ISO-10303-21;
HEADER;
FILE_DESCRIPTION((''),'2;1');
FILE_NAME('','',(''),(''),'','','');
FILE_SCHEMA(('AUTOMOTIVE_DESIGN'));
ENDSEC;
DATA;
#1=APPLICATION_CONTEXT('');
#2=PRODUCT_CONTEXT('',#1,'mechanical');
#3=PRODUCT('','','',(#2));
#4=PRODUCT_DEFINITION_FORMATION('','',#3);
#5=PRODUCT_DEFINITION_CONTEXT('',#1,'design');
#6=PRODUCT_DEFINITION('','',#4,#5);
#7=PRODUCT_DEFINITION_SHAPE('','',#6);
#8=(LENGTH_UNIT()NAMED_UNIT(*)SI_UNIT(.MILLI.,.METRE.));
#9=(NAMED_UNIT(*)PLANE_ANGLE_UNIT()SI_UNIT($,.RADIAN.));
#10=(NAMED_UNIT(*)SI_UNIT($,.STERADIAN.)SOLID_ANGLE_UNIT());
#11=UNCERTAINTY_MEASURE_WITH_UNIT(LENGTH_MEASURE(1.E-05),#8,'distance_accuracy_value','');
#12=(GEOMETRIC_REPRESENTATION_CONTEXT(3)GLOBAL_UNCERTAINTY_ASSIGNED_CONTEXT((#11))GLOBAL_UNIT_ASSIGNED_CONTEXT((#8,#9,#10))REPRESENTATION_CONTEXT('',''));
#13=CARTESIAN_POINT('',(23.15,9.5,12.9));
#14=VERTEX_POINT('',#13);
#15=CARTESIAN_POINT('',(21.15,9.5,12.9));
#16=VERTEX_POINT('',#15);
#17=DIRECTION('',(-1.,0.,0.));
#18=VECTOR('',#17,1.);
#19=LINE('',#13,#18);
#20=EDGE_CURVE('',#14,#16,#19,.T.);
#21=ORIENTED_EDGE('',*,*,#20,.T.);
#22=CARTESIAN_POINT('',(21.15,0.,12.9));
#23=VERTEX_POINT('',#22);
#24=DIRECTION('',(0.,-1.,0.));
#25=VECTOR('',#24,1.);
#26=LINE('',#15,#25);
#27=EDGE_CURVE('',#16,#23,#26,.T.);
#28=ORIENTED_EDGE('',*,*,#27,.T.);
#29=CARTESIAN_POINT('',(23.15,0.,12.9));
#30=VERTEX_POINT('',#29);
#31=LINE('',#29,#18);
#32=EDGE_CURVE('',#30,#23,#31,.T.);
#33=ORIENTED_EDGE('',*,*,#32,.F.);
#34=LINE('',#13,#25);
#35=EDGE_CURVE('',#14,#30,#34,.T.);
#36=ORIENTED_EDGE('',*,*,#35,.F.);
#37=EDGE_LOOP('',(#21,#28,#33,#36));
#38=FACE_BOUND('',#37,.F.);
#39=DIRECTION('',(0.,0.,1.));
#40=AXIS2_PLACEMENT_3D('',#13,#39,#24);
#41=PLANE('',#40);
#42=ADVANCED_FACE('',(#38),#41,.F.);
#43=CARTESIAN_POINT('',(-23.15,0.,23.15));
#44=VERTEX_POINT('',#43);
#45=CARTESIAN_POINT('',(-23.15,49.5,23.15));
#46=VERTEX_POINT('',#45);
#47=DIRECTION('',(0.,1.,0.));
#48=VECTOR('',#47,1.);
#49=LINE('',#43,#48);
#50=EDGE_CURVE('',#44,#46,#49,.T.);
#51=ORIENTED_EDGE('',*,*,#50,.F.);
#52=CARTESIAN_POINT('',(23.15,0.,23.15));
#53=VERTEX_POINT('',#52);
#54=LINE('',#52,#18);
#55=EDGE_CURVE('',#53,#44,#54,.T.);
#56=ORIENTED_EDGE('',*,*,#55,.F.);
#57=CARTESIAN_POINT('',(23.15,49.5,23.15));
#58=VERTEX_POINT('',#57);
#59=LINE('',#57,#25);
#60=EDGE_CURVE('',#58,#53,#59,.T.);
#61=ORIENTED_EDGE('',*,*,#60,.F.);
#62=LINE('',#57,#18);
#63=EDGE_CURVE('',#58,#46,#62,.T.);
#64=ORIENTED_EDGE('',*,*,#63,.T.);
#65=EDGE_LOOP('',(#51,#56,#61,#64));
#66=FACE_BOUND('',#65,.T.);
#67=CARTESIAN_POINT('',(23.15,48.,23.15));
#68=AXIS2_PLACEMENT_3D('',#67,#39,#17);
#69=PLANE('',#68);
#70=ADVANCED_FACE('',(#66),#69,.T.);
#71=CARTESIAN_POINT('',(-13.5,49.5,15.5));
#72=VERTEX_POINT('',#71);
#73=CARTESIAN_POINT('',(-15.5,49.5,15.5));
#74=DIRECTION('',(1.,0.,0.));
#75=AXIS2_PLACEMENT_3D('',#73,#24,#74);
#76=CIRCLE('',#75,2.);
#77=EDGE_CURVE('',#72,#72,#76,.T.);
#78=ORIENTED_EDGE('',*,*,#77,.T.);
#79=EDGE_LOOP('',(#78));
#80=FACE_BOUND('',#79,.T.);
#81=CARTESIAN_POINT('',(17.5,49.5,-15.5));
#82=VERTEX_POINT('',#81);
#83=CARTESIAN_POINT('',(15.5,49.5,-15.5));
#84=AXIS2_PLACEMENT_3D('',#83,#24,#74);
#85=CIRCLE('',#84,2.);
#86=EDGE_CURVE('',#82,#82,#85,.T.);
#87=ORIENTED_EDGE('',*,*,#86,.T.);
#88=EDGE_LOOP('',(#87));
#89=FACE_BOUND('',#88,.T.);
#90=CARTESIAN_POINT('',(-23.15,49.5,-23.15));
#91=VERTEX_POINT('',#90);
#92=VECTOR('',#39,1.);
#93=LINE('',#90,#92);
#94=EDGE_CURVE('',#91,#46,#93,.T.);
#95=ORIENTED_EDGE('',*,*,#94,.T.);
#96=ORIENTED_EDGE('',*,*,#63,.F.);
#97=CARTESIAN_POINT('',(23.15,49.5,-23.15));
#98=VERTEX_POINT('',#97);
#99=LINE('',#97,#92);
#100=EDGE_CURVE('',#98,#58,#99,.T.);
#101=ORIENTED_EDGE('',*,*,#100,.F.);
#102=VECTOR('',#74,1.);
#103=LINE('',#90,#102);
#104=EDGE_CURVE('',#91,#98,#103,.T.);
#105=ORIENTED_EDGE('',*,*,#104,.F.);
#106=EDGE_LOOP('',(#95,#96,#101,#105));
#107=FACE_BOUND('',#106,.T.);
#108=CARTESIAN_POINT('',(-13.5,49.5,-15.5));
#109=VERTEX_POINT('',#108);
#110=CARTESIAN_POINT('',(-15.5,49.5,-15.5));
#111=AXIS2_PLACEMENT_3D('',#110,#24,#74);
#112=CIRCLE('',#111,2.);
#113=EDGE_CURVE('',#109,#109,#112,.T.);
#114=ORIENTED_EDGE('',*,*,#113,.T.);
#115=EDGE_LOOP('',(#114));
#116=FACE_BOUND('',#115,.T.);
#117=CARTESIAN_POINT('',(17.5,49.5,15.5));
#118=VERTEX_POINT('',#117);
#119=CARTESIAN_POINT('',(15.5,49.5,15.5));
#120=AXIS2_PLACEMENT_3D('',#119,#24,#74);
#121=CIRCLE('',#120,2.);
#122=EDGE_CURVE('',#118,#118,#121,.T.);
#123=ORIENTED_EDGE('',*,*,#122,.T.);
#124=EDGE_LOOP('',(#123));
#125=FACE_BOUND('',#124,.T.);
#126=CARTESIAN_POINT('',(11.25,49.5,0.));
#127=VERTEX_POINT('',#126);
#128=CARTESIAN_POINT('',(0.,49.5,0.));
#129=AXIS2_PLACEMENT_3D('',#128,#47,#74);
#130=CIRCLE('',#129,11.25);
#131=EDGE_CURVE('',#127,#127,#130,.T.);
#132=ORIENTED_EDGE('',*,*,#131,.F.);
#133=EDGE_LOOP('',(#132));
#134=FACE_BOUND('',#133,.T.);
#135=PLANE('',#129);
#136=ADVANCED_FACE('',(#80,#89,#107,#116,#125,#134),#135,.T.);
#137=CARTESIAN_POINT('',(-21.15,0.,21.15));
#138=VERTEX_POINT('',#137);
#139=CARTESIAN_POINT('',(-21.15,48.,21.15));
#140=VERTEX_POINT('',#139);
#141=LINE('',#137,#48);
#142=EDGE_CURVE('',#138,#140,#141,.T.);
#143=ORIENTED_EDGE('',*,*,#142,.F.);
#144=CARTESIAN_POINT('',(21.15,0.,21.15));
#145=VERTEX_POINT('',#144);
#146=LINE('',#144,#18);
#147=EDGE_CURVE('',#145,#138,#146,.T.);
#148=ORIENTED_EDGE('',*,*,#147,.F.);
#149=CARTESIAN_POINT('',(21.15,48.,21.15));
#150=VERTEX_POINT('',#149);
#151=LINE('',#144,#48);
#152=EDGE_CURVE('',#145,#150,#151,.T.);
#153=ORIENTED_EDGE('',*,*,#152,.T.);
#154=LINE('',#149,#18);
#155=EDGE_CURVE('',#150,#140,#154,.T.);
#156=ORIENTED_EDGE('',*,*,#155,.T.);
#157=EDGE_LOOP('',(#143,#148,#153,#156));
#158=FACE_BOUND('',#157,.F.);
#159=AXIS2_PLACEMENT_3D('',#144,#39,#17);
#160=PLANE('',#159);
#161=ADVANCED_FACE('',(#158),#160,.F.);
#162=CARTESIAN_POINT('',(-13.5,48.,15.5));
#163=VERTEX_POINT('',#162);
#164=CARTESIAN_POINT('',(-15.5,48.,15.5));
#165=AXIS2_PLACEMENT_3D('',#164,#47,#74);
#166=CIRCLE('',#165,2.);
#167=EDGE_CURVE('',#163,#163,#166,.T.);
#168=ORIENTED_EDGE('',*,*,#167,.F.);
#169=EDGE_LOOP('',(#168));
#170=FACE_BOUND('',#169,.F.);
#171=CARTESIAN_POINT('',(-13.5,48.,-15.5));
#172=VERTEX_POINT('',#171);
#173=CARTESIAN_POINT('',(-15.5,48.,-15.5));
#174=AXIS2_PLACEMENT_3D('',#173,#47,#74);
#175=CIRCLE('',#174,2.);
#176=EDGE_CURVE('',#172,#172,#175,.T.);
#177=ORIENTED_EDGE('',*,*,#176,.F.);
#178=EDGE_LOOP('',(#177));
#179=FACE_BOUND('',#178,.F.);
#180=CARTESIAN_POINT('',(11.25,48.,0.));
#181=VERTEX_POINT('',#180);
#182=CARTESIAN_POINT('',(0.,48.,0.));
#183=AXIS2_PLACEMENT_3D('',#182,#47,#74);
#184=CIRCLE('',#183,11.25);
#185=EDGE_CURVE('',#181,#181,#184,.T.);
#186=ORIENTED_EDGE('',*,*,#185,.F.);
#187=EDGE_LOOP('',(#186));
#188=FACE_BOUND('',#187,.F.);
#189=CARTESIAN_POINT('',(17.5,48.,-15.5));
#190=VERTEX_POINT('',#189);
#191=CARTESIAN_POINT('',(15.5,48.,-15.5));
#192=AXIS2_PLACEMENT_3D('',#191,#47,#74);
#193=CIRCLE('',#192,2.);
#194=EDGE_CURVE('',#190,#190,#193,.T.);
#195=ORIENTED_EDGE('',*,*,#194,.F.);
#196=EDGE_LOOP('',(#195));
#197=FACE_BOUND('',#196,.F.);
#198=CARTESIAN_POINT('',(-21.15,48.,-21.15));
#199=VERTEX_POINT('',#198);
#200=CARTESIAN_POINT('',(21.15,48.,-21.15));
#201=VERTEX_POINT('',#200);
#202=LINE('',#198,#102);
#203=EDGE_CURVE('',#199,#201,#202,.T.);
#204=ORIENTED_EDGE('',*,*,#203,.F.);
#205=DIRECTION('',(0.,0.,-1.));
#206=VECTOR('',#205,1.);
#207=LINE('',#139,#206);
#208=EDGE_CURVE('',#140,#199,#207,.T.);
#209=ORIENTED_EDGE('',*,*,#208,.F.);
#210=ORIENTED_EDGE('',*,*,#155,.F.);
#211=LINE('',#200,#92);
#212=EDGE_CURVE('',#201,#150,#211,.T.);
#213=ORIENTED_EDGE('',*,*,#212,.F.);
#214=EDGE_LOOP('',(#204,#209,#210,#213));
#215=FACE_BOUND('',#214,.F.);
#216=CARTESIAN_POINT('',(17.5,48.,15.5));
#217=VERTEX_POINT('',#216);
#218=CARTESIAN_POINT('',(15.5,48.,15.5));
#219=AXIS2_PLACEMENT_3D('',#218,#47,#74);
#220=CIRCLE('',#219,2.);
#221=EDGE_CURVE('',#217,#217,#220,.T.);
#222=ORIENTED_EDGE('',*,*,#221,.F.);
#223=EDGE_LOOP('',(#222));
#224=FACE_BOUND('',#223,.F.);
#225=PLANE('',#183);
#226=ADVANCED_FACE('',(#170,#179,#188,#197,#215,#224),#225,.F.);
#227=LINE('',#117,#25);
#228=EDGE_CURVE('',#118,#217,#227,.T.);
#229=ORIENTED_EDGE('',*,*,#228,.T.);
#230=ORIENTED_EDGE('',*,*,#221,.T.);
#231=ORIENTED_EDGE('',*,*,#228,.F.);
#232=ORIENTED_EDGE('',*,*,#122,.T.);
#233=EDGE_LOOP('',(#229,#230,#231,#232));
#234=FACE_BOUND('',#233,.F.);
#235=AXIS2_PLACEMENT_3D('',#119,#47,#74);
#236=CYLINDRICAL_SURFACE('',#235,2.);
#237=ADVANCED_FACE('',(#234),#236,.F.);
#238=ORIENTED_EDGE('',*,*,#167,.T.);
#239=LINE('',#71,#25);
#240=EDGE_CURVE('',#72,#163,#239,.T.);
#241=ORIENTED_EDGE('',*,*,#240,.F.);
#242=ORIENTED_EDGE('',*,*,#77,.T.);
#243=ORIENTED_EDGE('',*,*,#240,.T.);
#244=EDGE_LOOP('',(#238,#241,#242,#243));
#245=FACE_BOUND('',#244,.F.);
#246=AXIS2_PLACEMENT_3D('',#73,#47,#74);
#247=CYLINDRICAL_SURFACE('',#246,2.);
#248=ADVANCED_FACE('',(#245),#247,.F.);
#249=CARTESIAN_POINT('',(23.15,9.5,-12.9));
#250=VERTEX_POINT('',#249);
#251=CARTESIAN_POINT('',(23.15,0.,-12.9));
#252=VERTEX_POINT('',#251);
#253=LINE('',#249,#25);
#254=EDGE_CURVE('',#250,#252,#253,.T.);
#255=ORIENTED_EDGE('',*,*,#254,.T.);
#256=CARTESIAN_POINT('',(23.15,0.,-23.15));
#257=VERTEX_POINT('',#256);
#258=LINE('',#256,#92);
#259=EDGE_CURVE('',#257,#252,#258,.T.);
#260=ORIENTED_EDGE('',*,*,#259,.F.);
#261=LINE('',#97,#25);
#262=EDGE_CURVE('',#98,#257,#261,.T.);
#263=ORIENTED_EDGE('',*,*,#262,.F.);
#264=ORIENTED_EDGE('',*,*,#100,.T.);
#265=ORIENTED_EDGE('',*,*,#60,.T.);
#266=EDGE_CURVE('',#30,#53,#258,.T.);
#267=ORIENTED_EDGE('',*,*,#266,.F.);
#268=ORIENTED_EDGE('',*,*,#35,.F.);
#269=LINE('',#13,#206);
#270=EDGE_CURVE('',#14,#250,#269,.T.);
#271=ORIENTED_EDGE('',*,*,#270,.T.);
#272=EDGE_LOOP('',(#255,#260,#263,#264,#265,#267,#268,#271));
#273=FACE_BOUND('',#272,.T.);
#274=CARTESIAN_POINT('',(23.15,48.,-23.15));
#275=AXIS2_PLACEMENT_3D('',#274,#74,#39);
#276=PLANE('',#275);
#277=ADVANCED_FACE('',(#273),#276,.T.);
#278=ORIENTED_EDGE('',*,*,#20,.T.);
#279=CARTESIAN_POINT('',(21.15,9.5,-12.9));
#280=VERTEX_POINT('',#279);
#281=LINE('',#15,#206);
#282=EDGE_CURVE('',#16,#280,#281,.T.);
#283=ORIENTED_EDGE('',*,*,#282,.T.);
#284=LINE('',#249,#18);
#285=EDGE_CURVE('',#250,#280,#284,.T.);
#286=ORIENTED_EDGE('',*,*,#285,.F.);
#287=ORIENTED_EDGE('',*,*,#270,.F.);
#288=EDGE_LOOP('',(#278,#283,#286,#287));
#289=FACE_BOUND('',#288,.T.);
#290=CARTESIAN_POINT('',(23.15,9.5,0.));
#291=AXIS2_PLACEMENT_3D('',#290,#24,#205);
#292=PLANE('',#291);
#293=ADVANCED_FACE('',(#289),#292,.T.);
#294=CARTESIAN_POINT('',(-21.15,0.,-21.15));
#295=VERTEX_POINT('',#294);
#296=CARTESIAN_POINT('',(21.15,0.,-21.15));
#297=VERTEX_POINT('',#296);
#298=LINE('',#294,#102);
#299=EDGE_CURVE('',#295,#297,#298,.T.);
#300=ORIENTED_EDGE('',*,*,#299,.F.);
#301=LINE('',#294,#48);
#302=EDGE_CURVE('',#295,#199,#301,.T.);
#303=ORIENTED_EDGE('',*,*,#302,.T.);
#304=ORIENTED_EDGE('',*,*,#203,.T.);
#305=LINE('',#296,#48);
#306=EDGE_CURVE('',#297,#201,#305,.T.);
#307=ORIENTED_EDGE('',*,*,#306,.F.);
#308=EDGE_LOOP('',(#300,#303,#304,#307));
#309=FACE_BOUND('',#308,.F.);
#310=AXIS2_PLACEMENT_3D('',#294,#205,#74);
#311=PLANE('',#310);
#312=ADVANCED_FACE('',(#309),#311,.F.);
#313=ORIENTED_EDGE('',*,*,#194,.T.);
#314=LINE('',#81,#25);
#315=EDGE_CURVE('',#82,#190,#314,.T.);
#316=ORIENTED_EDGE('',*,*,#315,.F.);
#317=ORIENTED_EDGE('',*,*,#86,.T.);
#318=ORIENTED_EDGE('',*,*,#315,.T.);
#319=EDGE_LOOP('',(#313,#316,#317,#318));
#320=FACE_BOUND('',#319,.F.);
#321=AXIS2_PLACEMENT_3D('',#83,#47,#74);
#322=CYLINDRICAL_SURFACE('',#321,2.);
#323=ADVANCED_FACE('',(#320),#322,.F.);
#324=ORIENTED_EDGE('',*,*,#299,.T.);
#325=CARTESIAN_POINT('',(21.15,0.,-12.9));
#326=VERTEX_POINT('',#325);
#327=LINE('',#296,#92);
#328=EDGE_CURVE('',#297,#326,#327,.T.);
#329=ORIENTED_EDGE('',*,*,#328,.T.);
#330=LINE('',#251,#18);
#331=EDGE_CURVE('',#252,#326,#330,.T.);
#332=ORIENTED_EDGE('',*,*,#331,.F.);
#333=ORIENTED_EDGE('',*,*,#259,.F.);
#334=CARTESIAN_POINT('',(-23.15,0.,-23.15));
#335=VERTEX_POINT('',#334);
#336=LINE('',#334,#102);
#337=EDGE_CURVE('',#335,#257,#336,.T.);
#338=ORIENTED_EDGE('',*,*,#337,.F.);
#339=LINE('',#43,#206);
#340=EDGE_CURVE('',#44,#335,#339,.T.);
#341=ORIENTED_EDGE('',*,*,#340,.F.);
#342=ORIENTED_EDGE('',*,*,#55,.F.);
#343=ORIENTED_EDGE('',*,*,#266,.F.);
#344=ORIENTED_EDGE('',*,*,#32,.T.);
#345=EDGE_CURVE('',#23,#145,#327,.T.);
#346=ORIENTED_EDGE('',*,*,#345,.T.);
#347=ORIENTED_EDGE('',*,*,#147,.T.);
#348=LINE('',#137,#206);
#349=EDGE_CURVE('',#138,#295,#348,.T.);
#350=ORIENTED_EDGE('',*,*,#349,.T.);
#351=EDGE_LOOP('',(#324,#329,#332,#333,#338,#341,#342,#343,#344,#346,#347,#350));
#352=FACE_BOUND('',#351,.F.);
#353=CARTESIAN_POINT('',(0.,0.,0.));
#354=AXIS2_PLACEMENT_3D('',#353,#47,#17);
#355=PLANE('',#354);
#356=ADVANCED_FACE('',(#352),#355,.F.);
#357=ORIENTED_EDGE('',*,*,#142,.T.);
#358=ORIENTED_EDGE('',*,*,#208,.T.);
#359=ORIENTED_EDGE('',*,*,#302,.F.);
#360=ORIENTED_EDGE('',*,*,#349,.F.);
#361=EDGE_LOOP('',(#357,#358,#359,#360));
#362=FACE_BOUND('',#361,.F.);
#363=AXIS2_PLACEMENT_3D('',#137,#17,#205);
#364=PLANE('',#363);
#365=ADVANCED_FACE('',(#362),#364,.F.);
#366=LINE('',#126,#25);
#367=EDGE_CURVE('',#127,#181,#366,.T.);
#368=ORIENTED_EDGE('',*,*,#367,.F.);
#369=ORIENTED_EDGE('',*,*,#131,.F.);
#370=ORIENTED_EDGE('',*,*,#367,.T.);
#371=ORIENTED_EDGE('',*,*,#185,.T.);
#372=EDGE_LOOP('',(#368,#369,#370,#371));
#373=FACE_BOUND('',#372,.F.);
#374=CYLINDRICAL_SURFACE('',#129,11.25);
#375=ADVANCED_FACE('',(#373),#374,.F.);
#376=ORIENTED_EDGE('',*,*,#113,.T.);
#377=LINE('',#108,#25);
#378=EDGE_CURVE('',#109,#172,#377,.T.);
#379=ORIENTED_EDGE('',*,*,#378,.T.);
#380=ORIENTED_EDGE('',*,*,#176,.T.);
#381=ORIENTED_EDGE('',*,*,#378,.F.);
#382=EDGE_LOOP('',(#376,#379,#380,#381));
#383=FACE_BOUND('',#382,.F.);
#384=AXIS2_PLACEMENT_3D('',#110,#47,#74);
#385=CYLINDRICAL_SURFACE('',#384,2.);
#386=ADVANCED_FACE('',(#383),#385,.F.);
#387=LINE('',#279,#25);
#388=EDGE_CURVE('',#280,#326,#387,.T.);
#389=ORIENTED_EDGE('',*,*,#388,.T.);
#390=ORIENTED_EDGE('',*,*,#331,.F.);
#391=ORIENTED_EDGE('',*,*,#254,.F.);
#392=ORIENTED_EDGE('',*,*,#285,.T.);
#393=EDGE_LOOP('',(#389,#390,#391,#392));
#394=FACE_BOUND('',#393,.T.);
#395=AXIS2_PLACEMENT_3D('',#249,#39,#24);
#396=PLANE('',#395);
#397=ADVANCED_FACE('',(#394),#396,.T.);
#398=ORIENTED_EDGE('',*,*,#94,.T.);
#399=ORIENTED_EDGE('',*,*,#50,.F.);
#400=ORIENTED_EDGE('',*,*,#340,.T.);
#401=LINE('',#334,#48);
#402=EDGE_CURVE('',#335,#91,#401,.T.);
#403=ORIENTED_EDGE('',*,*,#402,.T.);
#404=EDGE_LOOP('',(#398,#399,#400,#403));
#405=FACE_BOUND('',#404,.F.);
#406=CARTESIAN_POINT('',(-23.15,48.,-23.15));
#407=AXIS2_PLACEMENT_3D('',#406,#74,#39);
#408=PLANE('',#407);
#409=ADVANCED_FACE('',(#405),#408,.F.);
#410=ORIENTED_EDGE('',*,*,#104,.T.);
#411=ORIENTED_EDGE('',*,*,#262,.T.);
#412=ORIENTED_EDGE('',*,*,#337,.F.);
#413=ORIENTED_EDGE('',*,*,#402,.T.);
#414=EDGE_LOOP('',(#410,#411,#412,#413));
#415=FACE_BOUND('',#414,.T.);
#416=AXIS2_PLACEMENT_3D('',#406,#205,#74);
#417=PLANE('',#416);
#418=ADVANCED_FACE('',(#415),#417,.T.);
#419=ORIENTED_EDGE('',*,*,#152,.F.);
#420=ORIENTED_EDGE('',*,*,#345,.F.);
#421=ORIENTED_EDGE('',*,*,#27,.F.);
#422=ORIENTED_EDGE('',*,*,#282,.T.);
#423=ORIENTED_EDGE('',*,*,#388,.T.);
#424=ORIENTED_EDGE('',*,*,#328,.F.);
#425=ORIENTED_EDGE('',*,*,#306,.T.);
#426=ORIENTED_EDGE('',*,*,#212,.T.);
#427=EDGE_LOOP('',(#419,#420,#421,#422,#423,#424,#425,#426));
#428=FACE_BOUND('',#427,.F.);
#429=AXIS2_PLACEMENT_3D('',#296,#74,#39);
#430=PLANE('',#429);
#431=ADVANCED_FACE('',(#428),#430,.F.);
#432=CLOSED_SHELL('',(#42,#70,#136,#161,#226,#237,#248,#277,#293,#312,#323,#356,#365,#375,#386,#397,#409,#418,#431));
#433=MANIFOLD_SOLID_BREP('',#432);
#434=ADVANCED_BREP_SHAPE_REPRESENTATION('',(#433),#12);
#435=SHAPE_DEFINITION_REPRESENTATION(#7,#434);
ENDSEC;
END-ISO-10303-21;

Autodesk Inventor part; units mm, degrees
ref_plane "YZ Plane" through (0, 0, 0) normal (1, 0, 0) x (0, 1, 0)
ref_plane "XZ Plane" through (0, 0, 0) normal (0, 1, 0) x (-1, 0, 0)
ref_plane "XY Plane" through (0, 0, 0) normal (0, 0, 1) x (1, 0, 0)
sketch "Эскиз1" plane through (0, 0, 0) normal (0, 1, 0) x (-1, 0, 0)
  line L0 (-21.15, 21.15) -> (21.15, 21.15)
  line L1 (21.15, 21.15) -> (21.15, -21.15)
  line L2 (21.15, -21.15) -> (-21.15, -21.15)
  line L3 (-21.15, -21.15) -> (-21.15, 21.15)
  line L4 (-21.15, 21.15) -> (21.15, -21.15) construction
  line L5 (21.15, 21.15) -> (-21.15, -21.15) construction
  line L6 (-23.15, 23.15) -> (23.15, 23.15)
  line L7 (23.15, 23.15) -> (23.15, -23.15)
  line L8 (23.15, -23.15) -> (-23.15, -23.15)
  line L9 (-23.15, -23.15) -> (-23.15, 23.15)
  line L10 (-23.15, 23.15) -> (23.15, -23.15) construction
  line L11 (23.15, 23.15) -> (-23.15, -23.15) construction
  point P0 (0, 0)
  dimension "d0" = 42.3
  dimension "d1" = 42.3
  dimension "d2" = 46.3
  dimension "d3" = 46.3
extrude "Выдавливание1" add sketch "Эскиз1" along normal blind 48
sketch "Эскиз2" plane through (23.15, 0, 23.15) normal (1, 0, 0) x (0, 0, -1)
  line L0 (23.15, 9.5) -> (36.05, 9.5)
  line L1 (36.05, 9.5) -> (10.25, 9.5)
  line L2 (10.25, 9.5) -> (10.25, 0)
  line L3 (44.3, 0) -> (2, 0) projected
  line L4 (36.05, 9.5) -> (36.05, 0)
  point P0 (23.15, 0)
  dimension "d6" = 9.5
  dimension "d7" = 12.9
  dimension "d8" = 25.8
extrude "Выдавливание2" cut sketch "Эскиз2" against normal blind 2
sketch "Эскиз3" plane through (0, 48, 0) normal (0, 1, 0) x (1, 0, 0)
  line L0 (-23.15, 23.15) -> (-23.15, -23.15) projected
  line L1 (23.15, -23.15) -> (-23.15, -23.15)
  line L2 (-23.15, -23.15) -> (-23.15, 23.15)
  line L3 (-23.15, 23.15) -> (23.15, 23.15)
  line L4 (23.15, 23.15) -> (23.15, -23.15)
  line L5 (23.15, -23.15) -> (-23.15, 23.15) construction
  line L6 (-23.15, -23.15) -> (23.15, 23.15) construction
  point P0 (0, 0)
extrude "Выдавливание3" add sketch "Эскиз3" along normal blind 1.5
sketch "Эскиз4" plane through (0, 49.5, 0) normal (0, 1, 0) x (1, 0, 0)
  circle A0 centre (0, 0) radius 11.25
  line L0 (15.5, 15.5) -> (-15.5, 15.5)
  line L1 (-15.5, 15.5) -> (-15.5, -15.5)
  line L2 (-15.5, -15.5) -> (15.5, -15.5)
  line L3 (15.5, -15.5) -> (15.5, 15.5)
  line L4 (15.5, 15.5) -> (-15.5, -15.5) construction
  line L5 (-15.5, 15.5) -> (15.5, -15.5) construction
  circle A1 centre (-15.5, -15.5) radius 2
  circle A2 centre (-15.5, 15.5) radius 2
  circle A3 centre (15.5, 15.5) radius 2
  circle A4 centre (15.5, -15.5) radius 2
  dimension "d13" = 22.5
  dimension "d14" = 31
  dimension "d15" = 31
  dimension "d16" = 4
  dimension "d17" = 4
  dimension "d18" = 4
  dimension "d19" = 4
extrude "Выдавливание4" cut sketch "Эскиз4" against normal blind 1.5 contours A0 | A2 L1 L0 | L0 L1 A2 | A3 L3 L0 | L0 L3 A3 | A1 L2 L1 | L1 L2 A1 | A4 L2 L3 | L3 L2 A4
properties part number "Корпус для двигателя"
